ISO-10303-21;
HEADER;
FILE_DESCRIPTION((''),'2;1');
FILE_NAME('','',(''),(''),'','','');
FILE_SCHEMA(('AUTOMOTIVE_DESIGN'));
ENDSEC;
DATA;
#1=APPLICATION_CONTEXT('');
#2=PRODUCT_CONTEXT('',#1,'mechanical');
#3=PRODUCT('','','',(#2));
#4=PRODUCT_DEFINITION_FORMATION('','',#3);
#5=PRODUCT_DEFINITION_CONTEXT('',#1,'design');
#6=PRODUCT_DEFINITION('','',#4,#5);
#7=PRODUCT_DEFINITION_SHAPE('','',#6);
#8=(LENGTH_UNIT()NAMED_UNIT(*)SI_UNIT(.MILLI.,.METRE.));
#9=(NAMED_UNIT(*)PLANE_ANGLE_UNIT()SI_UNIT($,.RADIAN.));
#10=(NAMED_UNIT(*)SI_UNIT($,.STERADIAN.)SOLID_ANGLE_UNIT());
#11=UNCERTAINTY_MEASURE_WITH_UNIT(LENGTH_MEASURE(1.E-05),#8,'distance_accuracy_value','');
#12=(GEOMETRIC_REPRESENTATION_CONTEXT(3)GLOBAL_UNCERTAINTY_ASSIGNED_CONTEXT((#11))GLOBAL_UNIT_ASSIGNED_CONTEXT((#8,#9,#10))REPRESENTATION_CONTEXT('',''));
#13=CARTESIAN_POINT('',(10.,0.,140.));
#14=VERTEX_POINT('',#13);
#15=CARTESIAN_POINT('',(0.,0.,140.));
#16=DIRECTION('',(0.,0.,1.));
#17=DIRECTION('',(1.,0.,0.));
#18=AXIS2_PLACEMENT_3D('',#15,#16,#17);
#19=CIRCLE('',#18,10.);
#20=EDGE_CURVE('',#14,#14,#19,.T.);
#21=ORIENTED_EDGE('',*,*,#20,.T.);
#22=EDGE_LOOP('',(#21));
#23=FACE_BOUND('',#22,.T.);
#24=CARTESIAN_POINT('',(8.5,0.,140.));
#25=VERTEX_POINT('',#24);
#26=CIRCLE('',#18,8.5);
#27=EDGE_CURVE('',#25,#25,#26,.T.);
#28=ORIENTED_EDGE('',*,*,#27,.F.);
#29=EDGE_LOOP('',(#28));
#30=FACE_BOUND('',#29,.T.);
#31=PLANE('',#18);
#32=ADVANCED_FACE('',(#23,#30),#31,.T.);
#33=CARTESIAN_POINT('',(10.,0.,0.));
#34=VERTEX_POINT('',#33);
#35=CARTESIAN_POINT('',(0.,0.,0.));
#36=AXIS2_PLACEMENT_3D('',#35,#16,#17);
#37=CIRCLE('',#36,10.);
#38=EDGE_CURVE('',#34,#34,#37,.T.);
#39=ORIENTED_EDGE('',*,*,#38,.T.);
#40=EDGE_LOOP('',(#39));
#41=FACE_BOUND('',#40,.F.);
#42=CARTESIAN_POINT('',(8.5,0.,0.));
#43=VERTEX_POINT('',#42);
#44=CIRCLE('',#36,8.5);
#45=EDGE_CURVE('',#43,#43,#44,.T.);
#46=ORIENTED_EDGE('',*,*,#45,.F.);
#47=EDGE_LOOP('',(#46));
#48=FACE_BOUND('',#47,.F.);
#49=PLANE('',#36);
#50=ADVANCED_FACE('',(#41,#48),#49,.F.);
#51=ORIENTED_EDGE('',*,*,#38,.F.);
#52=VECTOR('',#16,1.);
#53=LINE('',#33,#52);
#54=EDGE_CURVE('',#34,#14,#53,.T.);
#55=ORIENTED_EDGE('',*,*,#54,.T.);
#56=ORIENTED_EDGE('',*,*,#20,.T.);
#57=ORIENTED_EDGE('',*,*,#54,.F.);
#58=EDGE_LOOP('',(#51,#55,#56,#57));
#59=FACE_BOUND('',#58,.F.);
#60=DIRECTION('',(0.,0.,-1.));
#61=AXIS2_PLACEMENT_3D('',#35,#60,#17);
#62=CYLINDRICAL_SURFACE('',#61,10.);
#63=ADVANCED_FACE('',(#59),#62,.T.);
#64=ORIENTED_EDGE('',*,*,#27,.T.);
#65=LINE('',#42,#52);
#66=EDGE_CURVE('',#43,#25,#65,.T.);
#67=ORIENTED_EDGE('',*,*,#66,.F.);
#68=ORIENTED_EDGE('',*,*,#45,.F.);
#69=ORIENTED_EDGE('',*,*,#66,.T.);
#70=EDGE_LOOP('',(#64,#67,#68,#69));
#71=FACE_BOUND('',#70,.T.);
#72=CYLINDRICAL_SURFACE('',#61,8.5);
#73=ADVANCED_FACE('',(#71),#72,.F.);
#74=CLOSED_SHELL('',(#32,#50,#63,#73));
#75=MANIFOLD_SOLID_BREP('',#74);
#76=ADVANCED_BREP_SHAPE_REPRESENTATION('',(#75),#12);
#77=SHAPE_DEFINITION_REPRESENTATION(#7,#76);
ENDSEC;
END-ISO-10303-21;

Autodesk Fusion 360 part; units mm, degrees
sketch "Sketch1" plane through (0, 0, 0) normal (0, 0, 1) x (1, 0, 0)
  circle A0 centre (0, 0) radius 10
  circle A1 centre (0, 0) radius 8.5
  dimension "d1" = 20
  dimension "d2" = -1.5
extrude "Extrude1" add sketch "Sketch1" along normal blind 140
